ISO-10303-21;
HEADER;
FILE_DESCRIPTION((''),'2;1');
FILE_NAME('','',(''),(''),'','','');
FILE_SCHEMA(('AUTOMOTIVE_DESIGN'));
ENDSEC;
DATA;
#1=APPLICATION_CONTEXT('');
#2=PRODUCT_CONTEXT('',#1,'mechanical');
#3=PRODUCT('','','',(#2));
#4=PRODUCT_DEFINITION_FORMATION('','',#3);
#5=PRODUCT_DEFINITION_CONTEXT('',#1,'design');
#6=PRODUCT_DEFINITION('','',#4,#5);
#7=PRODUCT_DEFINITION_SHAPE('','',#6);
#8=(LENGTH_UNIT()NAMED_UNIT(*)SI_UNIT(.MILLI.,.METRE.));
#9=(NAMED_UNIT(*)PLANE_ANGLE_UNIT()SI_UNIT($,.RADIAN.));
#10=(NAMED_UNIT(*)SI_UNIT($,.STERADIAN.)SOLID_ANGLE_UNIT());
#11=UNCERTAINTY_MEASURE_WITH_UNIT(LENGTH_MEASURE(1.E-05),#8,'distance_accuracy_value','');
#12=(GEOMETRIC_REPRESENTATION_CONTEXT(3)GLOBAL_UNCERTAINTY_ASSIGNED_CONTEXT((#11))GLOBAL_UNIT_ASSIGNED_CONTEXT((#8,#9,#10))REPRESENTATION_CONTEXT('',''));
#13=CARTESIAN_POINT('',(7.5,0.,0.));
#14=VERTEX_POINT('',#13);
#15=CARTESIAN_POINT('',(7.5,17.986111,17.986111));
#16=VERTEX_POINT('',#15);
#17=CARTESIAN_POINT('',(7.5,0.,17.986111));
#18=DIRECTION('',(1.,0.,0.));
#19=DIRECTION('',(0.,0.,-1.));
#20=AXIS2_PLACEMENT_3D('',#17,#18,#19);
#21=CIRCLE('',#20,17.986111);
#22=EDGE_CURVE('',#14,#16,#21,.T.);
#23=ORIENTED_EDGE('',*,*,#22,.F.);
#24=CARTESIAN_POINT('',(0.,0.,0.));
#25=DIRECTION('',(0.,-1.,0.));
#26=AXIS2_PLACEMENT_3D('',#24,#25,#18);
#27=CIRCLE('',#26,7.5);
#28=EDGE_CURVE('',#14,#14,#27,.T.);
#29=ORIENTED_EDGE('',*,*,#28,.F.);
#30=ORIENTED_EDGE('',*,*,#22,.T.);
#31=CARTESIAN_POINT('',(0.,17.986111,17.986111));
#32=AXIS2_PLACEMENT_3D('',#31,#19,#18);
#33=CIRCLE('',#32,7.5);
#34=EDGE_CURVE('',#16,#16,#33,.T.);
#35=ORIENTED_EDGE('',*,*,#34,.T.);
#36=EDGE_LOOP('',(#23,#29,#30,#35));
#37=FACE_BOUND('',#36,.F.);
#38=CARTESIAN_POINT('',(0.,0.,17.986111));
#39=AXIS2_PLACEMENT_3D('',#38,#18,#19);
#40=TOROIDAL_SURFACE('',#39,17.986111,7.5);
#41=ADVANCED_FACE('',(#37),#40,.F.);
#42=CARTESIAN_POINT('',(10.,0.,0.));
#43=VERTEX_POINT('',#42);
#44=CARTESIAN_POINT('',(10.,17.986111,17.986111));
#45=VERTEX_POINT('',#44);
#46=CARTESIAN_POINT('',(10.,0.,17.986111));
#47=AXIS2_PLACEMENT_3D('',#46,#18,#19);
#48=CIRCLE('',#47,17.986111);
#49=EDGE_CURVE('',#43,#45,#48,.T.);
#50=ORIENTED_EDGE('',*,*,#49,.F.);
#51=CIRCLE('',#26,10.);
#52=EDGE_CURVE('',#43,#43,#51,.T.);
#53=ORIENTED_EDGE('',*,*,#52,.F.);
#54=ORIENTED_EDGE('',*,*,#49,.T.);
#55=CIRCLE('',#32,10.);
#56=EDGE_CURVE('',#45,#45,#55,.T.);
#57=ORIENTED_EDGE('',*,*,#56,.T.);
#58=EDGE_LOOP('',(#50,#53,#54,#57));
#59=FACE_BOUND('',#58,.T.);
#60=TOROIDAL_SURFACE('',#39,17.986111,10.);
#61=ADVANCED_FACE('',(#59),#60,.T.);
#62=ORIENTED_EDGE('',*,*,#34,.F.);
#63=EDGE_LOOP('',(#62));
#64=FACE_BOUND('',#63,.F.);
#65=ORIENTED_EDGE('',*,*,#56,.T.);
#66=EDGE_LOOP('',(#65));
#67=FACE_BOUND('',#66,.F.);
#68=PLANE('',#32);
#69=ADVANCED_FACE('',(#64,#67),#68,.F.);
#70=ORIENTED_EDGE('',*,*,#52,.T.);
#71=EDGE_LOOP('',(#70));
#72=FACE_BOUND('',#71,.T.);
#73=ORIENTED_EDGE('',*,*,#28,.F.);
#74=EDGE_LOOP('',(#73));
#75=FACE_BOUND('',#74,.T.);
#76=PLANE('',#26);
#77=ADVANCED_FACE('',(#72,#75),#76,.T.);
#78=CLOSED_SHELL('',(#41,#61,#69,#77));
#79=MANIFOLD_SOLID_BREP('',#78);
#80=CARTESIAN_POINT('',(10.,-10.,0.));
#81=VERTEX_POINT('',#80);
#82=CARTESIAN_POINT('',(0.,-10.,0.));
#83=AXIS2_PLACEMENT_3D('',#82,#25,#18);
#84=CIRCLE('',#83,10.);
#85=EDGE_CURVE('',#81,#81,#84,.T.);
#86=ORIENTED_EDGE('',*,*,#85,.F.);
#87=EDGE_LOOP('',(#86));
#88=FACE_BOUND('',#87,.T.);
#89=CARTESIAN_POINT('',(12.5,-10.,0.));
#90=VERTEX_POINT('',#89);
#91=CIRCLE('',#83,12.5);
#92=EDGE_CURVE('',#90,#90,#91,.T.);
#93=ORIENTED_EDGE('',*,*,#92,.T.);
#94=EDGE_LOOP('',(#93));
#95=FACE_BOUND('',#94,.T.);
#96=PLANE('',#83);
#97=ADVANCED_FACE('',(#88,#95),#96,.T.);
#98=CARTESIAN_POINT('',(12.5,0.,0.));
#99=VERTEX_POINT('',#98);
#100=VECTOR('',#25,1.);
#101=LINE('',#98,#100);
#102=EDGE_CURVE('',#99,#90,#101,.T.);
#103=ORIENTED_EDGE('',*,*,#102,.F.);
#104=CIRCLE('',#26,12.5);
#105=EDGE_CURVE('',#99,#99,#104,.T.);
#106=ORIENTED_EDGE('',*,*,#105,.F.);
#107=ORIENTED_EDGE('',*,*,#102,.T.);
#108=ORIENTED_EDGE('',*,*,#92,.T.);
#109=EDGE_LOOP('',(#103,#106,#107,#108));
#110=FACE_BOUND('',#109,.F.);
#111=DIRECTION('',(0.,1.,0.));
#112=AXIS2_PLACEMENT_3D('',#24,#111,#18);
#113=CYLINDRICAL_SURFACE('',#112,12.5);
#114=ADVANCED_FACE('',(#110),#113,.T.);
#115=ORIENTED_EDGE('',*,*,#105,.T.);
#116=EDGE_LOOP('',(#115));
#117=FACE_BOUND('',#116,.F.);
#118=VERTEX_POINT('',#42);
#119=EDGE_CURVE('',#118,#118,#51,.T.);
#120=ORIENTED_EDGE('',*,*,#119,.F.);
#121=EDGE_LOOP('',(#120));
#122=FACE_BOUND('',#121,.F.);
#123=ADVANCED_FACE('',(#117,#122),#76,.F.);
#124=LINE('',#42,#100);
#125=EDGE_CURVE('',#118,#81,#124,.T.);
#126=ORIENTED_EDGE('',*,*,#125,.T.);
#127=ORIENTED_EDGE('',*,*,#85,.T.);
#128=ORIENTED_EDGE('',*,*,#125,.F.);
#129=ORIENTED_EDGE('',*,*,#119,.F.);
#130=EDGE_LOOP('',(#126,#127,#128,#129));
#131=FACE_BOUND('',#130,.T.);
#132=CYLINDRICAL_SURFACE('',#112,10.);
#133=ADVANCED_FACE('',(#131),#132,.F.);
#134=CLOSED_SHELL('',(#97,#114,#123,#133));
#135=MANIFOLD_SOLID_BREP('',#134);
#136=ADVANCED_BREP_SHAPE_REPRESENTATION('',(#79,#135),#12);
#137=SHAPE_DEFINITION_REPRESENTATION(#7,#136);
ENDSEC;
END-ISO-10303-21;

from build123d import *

# Parameters (mm, degrees)
F0_R     = 10
F0_R_2   = 7.5
F1_ANGLE = 90
F2_R     = 12.5
F2_R_2   = 10
F3_DEPTH = 10


with BuildPart() as f1:
    # F0 (on Front) → F1 (revolve)
    with BuildSketch(Plane.XZ):
        Circle(F0_R)
        Circle(F0_R_2, mode=Mode.SUBTRACT)
    revolve(axis=Axis((7.680556, 0, 17.986111), (1, 0, 0)), revolution_arc=F1_ANGLE)

    # F2 (on face) → F3 (join)
    with BuildSketch(Plane.XZ):
        Circle(F2_R)
        Circle(F2_R_2, mode=Mode.SUBTRACT)
    extrude(amount=F3_DEPTH)


solid = f1.part
